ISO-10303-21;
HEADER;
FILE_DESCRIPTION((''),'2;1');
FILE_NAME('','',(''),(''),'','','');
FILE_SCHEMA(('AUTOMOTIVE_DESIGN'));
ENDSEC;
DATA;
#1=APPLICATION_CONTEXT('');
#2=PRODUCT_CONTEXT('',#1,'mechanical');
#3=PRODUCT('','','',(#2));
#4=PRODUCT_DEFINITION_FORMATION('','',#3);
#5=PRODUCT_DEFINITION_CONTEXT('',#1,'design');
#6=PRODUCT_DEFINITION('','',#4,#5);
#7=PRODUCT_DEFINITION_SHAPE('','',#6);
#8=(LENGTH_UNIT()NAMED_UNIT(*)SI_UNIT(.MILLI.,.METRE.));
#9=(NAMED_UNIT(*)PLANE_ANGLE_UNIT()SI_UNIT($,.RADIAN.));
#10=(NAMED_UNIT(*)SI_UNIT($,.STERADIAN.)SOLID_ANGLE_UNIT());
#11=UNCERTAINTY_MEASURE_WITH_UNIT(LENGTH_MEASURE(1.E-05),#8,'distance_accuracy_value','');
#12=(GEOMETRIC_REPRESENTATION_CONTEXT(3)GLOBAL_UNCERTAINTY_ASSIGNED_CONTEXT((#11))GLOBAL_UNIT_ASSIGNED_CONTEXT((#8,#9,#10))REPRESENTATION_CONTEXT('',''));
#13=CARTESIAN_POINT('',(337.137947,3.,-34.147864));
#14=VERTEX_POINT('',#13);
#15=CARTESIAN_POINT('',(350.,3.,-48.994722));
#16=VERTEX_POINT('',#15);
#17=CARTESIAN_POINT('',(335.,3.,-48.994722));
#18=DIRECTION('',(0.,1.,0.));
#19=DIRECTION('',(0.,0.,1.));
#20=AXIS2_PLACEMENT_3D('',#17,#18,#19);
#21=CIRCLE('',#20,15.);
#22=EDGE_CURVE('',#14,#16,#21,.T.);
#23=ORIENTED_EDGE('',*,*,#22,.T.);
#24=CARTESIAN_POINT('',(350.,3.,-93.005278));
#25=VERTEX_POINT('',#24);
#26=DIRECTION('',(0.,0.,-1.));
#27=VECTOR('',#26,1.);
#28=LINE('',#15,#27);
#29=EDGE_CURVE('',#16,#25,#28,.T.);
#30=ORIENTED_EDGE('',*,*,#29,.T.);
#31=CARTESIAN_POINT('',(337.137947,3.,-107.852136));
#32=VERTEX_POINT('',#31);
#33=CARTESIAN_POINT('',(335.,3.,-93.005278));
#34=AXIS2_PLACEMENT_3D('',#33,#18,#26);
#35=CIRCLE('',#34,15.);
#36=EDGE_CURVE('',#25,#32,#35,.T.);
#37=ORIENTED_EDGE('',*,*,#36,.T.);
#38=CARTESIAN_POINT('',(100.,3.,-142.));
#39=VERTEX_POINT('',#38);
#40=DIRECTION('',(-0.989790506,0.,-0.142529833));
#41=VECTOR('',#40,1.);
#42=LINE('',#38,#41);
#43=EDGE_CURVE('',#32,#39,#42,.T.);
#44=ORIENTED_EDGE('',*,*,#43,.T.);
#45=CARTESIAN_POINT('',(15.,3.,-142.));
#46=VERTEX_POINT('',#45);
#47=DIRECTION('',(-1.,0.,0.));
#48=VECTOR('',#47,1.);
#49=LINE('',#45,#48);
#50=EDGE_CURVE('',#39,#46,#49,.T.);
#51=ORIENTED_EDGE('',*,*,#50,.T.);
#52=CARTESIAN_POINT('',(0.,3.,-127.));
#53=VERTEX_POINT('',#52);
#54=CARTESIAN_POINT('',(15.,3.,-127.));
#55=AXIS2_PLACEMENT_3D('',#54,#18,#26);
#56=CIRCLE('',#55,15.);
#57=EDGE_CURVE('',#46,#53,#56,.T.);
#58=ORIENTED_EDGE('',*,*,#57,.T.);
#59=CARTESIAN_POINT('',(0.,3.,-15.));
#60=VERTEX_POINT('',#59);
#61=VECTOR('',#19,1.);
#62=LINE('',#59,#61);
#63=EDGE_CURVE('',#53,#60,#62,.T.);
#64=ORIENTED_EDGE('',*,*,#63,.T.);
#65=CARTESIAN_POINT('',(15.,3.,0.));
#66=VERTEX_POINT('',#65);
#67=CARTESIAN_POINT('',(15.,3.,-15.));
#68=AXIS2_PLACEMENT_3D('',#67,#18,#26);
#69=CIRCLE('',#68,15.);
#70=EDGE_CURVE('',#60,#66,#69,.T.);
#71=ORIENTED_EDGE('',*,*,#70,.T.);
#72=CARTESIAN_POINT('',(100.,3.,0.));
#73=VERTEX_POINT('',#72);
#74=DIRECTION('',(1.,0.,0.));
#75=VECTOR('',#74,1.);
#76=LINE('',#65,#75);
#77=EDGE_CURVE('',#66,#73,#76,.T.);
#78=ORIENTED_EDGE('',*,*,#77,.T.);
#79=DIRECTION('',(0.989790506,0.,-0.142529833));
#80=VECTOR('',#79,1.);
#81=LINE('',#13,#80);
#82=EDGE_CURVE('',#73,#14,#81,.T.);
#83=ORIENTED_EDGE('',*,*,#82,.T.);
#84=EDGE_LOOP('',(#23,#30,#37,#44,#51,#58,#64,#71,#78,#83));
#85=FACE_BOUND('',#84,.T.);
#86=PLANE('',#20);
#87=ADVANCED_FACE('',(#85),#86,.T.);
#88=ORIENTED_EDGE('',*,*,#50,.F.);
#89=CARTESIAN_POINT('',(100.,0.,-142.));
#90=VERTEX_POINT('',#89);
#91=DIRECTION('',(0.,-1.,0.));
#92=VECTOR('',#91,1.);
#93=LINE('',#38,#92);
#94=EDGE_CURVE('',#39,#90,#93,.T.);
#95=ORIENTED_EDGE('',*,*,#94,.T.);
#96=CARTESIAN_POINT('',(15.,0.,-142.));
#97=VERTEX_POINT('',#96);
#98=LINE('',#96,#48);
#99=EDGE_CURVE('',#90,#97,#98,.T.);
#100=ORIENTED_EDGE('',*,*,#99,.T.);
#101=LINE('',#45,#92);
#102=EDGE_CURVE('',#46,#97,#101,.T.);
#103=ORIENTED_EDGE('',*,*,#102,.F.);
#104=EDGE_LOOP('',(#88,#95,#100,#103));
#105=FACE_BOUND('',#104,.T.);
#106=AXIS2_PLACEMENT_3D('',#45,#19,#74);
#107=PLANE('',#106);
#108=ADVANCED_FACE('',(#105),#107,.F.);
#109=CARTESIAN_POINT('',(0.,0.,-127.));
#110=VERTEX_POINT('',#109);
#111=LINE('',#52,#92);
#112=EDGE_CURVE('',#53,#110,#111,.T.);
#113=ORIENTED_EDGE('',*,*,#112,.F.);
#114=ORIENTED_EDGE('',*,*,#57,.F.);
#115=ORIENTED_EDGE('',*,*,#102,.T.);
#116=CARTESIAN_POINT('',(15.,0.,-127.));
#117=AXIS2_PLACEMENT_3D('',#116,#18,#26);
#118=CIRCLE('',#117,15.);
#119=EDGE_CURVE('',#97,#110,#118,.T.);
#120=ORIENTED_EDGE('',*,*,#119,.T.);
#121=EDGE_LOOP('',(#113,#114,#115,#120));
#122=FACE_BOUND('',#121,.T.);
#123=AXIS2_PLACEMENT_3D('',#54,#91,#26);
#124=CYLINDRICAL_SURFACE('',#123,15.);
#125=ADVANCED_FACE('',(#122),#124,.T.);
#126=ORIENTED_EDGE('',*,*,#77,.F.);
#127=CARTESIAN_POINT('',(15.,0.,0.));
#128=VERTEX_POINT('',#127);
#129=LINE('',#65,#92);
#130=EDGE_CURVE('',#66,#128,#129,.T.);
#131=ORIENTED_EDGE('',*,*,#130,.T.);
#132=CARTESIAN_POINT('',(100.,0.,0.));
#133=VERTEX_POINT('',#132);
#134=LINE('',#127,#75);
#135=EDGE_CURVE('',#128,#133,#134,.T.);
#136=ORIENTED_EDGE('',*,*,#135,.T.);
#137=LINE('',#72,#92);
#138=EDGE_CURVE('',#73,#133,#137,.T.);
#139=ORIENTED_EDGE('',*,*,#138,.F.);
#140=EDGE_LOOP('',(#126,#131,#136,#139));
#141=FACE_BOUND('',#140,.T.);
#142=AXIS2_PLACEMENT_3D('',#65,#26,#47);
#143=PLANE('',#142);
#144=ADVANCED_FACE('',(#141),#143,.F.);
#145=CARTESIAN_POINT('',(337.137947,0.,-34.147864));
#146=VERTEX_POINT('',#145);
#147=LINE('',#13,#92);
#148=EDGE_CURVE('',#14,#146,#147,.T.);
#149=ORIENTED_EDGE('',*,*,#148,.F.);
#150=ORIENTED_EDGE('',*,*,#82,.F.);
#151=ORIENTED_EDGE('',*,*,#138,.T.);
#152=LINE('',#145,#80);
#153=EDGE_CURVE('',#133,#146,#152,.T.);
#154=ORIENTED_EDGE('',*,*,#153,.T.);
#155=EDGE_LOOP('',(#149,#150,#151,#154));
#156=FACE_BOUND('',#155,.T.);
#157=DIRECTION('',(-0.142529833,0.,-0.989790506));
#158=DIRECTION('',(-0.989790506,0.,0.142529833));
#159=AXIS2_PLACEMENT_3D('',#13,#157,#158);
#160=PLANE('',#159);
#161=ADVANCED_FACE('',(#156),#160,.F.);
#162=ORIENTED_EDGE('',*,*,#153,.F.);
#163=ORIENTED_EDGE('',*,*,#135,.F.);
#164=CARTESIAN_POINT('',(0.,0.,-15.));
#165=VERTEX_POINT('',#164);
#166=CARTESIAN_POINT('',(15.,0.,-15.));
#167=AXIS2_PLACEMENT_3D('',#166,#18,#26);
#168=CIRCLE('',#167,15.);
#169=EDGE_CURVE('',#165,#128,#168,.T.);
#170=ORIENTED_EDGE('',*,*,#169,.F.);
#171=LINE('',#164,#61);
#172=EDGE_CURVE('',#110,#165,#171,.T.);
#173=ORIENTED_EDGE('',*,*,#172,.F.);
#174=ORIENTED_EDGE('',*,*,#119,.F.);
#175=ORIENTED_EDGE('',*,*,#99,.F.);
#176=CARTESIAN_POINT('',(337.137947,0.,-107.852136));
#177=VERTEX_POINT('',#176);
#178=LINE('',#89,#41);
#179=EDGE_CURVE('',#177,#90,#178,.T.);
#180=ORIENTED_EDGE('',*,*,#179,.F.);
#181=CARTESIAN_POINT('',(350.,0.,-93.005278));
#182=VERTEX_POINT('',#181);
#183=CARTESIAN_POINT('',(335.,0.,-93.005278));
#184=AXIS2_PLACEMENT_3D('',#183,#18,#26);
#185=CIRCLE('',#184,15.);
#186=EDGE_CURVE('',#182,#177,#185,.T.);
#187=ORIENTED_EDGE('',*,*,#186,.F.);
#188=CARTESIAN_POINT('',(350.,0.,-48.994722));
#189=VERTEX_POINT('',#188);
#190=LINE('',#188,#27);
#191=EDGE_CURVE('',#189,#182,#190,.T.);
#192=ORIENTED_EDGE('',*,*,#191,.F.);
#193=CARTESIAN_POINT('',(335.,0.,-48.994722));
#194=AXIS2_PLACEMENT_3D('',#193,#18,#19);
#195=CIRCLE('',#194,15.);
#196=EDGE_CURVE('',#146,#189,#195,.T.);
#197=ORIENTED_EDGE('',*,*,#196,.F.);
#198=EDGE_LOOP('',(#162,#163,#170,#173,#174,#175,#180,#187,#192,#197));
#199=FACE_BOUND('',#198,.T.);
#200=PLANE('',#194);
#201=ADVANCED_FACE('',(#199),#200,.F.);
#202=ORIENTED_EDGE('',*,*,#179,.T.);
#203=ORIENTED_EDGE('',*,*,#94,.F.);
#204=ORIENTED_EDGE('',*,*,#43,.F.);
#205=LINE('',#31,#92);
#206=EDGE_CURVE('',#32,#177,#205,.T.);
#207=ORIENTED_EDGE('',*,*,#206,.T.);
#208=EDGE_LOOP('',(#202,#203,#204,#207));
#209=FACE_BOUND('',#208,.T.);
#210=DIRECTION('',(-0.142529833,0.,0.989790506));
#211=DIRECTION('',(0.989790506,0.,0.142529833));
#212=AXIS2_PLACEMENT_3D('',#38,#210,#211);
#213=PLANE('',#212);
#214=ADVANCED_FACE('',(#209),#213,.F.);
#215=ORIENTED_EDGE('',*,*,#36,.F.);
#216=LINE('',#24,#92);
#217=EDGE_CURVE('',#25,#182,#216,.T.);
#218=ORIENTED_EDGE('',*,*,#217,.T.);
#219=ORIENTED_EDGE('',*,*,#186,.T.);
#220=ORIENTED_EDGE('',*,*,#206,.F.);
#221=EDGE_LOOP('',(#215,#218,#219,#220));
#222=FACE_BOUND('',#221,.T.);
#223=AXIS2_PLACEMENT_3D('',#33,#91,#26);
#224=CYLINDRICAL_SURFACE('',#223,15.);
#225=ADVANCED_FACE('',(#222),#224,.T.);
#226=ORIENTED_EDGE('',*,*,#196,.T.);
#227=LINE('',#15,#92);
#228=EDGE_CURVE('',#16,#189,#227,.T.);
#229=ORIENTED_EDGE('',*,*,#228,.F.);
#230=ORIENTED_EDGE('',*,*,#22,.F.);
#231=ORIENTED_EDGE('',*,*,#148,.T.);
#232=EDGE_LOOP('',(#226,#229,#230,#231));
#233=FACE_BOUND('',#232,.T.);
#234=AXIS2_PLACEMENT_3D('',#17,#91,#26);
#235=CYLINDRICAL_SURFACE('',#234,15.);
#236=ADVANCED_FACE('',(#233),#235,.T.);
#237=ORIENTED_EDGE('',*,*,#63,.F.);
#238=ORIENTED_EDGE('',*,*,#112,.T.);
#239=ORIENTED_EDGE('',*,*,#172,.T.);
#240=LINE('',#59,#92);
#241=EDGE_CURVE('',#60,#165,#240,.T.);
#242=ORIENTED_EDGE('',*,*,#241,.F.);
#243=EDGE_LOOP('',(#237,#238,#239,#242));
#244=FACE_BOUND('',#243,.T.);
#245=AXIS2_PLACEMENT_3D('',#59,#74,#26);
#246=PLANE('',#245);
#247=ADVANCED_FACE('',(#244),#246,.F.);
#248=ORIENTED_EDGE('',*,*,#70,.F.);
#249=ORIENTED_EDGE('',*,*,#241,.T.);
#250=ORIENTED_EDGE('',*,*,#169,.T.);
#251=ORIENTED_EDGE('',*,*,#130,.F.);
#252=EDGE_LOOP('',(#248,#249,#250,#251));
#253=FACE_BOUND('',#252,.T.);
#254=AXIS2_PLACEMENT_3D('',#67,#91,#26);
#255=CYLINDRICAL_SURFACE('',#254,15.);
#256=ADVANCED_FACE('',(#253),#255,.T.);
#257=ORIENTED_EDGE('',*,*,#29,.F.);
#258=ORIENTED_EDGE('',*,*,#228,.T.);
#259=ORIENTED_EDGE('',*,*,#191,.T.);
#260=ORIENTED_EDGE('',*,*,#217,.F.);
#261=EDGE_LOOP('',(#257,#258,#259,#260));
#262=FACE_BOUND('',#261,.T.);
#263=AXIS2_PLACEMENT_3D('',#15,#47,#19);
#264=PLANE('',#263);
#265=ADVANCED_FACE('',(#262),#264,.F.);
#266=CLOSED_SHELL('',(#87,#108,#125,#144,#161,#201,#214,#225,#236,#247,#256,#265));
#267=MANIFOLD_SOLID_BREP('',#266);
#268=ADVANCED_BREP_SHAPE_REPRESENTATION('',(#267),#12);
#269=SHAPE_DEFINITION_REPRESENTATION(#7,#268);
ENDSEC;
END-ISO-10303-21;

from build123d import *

# Parameters (mm, degrees)
BOSS_EXTRUDE1_DEPTH = 3


with BuildPart() as part:
    # Sketch1 → Boss-Extrude1 (new body)
    with BuildSketch(Plane(origin=(0, 0, 0), x_dir=(1, 0, 0), z_dir=(0, 1, 0))):
        with BuildLine():
            Line((15, 0), (100, 0))
            Line((100, 0), (337.137947494, 34.147864439))
            ThreePointArc((337.137947494, 34.147864439), (346.33731036, 39.173042252), (350, 48.994722036))
            Line((350, 48.994722036), (350, 93.005277964))
            ThreePointArc((350, 93.005277964), (346.33731036, 102.826957748), (337.137947494, 107.852135561))
            Line((337.137947494, 107.852135561), (100, 142))
            Line((100, 142), (15, 142))
            ThreePointArc((15, 142), (4.393398282, 137.606601718), (0, 127))
            Line((0, 127), (0, 15))
            ThreePointArc((0, 15), (4.393398282, 4.393398282), (15, 0))
        make_face()
    extrude(amount=BOSS_EXTRUDE1_DEPTH)


solid = part.part
